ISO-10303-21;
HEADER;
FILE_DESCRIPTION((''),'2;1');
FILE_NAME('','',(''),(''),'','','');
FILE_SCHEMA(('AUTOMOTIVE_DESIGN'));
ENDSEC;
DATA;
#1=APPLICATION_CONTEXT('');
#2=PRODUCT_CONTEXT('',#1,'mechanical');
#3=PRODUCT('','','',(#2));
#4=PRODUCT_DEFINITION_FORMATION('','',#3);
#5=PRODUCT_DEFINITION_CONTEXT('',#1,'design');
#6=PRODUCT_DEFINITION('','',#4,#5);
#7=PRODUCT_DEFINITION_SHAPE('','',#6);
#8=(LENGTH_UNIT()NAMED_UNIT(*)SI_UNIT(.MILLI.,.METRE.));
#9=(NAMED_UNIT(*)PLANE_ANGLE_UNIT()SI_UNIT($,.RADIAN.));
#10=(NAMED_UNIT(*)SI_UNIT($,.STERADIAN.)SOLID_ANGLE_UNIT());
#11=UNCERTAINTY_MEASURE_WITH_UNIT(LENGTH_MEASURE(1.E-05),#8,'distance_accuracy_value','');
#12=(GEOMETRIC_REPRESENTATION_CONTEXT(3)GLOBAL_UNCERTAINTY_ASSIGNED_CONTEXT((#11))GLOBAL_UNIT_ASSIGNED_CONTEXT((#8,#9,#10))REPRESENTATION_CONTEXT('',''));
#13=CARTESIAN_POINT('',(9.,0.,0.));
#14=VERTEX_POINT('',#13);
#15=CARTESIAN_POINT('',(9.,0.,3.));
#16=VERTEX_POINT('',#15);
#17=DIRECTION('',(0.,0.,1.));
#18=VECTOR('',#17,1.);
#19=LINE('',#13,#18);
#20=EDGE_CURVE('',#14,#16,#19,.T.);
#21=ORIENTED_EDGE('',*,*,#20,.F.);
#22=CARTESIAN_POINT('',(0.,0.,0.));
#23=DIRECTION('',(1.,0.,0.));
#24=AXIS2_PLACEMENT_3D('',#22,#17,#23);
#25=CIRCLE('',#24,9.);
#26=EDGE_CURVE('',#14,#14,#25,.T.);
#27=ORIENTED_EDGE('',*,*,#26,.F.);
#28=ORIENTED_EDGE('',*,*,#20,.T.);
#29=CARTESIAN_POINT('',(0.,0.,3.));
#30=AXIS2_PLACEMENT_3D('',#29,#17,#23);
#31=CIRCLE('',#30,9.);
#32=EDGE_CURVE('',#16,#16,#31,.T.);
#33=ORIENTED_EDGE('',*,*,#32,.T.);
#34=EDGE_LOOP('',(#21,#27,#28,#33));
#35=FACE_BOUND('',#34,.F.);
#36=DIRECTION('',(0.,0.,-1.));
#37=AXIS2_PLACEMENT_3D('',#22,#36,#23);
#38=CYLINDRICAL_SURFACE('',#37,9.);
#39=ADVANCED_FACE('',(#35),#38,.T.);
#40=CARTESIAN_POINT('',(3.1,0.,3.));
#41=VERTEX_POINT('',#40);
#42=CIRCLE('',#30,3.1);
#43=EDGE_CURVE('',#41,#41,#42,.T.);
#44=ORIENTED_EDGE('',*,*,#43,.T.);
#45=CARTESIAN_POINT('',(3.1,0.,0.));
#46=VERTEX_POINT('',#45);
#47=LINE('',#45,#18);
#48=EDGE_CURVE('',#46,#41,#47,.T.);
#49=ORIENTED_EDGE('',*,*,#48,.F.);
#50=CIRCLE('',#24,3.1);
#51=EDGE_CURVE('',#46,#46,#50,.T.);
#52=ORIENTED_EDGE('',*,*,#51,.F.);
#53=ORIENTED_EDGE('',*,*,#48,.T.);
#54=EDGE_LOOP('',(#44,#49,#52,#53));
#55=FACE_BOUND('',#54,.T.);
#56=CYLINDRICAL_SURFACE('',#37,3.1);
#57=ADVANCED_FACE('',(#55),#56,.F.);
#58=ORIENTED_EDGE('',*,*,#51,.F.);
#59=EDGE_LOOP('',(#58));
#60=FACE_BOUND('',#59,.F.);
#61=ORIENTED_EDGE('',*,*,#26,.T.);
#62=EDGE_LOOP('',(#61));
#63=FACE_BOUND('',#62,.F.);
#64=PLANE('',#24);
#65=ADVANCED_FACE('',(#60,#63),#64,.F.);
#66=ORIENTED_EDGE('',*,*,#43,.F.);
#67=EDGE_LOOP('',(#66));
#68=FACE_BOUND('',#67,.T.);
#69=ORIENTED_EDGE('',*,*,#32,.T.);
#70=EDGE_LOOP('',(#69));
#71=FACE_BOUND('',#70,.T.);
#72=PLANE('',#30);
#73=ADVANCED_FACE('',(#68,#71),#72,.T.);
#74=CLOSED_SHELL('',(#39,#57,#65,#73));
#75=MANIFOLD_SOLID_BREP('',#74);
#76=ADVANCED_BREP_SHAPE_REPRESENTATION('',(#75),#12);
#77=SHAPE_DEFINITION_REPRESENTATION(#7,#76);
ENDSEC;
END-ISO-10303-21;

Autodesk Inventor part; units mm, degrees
sketch "Sketch1" plane through (0, 0, 0) normal (0, 0, 1) x (1, 0, 0)
  line L0 (0, 2.8582) -> (0, -2.8582) construction
  line L1 (-5.7775, 0) -> (5.7775, 0) construction
  circle A0 centre (0, 0) radius 9
  circle A1 centre (0, 0) radius 3.1
  dimension "d0" = 18
  dimension "d1" = 6.2
extrude "Extrusion1" add sketch "Sketch1" along normal blind 3
properties part number "Kleine Hoes" material "S235"
